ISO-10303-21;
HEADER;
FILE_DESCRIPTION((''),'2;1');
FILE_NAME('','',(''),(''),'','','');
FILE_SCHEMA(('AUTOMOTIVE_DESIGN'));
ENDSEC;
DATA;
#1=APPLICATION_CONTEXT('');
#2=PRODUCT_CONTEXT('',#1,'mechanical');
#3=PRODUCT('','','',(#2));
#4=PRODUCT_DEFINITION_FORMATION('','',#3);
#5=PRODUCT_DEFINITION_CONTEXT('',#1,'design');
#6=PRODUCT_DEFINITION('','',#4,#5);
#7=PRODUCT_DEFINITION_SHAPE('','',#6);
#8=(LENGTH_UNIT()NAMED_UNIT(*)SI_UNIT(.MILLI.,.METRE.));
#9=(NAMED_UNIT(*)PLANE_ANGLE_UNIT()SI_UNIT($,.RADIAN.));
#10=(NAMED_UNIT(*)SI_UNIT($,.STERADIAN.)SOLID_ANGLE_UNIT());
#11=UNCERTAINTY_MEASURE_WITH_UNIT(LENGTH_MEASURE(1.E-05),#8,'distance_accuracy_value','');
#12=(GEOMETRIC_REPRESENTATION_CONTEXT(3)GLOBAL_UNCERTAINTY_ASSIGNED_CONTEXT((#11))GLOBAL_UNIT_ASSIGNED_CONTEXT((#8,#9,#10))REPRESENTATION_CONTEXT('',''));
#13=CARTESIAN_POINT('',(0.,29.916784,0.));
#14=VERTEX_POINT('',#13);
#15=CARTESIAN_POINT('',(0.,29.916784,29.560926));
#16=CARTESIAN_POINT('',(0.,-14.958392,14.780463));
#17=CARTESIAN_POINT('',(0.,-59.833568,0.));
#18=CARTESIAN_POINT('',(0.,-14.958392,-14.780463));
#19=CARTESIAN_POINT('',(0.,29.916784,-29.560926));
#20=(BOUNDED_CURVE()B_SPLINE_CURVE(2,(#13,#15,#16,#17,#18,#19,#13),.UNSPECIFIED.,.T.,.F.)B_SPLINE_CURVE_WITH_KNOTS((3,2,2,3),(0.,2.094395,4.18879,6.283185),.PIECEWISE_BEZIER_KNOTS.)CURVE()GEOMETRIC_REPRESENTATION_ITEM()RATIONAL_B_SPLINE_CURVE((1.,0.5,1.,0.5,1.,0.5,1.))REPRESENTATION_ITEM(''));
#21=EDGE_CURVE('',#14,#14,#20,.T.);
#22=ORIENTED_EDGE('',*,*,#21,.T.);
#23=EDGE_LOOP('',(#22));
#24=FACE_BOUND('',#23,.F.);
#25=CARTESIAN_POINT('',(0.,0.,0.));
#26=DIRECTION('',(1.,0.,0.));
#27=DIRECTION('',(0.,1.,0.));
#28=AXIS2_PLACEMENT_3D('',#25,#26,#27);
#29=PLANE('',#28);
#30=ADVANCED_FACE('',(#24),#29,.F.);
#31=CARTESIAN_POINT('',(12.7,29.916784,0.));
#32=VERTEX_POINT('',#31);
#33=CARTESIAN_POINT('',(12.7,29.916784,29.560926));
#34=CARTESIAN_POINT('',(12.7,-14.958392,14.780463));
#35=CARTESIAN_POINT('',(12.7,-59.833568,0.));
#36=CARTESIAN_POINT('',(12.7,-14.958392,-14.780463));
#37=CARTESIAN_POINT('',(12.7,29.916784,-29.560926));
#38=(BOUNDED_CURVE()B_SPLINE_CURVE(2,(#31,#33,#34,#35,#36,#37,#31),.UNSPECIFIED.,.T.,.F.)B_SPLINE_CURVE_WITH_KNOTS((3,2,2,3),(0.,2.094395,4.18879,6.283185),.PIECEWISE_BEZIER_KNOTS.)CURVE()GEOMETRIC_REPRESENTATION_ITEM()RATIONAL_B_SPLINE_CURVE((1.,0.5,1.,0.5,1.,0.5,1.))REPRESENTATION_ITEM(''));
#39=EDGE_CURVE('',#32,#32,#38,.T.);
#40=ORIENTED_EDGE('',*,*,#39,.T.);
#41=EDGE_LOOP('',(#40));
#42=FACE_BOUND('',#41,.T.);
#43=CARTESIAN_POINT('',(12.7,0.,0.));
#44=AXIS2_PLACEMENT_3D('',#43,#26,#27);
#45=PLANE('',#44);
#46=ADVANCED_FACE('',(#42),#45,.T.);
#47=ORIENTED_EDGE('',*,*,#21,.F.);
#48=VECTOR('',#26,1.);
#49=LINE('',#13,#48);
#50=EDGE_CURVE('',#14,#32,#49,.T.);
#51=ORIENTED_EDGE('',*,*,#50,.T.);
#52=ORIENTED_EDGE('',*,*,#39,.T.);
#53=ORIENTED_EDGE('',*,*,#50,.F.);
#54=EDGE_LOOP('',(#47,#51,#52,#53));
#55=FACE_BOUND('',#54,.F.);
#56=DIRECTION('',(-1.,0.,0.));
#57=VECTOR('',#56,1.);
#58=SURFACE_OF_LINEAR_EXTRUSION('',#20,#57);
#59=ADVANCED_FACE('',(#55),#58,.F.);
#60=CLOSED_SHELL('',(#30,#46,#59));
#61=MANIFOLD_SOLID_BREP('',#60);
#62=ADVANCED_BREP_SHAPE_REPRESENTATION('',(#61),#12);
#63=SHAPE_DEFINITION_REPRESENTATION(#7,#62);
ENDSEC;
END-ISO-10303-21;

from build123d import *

# Parameters (mm, degrees)
F1_DEPTH = 12.7


with BuildPart() as f1:
    # F0 (on Right) → F1 (new body)
    with BuildSketch(Plane.YZ):
        with BuildLine():
            add(Edge.make_bspline(
                [(29.916784, 0), (29.916784, 29.560926), (-14.958392, 14.780463), (-59.833568, 0), (-14.958392, -14.780463), (29.916784, -29.560926), (29.916784, 0)],
                knots=[0, 0, 0, 2.094395, 2.094395, 4.18879, 4.18879, 6.283185, 6.283185, 6.283185], degree=2, weights=[1, 0.5, 1, 0.5, 1, 0.5, 1]))
        make_face()
    extrude(amount=F1_DEPTH)


solid = f1.part
